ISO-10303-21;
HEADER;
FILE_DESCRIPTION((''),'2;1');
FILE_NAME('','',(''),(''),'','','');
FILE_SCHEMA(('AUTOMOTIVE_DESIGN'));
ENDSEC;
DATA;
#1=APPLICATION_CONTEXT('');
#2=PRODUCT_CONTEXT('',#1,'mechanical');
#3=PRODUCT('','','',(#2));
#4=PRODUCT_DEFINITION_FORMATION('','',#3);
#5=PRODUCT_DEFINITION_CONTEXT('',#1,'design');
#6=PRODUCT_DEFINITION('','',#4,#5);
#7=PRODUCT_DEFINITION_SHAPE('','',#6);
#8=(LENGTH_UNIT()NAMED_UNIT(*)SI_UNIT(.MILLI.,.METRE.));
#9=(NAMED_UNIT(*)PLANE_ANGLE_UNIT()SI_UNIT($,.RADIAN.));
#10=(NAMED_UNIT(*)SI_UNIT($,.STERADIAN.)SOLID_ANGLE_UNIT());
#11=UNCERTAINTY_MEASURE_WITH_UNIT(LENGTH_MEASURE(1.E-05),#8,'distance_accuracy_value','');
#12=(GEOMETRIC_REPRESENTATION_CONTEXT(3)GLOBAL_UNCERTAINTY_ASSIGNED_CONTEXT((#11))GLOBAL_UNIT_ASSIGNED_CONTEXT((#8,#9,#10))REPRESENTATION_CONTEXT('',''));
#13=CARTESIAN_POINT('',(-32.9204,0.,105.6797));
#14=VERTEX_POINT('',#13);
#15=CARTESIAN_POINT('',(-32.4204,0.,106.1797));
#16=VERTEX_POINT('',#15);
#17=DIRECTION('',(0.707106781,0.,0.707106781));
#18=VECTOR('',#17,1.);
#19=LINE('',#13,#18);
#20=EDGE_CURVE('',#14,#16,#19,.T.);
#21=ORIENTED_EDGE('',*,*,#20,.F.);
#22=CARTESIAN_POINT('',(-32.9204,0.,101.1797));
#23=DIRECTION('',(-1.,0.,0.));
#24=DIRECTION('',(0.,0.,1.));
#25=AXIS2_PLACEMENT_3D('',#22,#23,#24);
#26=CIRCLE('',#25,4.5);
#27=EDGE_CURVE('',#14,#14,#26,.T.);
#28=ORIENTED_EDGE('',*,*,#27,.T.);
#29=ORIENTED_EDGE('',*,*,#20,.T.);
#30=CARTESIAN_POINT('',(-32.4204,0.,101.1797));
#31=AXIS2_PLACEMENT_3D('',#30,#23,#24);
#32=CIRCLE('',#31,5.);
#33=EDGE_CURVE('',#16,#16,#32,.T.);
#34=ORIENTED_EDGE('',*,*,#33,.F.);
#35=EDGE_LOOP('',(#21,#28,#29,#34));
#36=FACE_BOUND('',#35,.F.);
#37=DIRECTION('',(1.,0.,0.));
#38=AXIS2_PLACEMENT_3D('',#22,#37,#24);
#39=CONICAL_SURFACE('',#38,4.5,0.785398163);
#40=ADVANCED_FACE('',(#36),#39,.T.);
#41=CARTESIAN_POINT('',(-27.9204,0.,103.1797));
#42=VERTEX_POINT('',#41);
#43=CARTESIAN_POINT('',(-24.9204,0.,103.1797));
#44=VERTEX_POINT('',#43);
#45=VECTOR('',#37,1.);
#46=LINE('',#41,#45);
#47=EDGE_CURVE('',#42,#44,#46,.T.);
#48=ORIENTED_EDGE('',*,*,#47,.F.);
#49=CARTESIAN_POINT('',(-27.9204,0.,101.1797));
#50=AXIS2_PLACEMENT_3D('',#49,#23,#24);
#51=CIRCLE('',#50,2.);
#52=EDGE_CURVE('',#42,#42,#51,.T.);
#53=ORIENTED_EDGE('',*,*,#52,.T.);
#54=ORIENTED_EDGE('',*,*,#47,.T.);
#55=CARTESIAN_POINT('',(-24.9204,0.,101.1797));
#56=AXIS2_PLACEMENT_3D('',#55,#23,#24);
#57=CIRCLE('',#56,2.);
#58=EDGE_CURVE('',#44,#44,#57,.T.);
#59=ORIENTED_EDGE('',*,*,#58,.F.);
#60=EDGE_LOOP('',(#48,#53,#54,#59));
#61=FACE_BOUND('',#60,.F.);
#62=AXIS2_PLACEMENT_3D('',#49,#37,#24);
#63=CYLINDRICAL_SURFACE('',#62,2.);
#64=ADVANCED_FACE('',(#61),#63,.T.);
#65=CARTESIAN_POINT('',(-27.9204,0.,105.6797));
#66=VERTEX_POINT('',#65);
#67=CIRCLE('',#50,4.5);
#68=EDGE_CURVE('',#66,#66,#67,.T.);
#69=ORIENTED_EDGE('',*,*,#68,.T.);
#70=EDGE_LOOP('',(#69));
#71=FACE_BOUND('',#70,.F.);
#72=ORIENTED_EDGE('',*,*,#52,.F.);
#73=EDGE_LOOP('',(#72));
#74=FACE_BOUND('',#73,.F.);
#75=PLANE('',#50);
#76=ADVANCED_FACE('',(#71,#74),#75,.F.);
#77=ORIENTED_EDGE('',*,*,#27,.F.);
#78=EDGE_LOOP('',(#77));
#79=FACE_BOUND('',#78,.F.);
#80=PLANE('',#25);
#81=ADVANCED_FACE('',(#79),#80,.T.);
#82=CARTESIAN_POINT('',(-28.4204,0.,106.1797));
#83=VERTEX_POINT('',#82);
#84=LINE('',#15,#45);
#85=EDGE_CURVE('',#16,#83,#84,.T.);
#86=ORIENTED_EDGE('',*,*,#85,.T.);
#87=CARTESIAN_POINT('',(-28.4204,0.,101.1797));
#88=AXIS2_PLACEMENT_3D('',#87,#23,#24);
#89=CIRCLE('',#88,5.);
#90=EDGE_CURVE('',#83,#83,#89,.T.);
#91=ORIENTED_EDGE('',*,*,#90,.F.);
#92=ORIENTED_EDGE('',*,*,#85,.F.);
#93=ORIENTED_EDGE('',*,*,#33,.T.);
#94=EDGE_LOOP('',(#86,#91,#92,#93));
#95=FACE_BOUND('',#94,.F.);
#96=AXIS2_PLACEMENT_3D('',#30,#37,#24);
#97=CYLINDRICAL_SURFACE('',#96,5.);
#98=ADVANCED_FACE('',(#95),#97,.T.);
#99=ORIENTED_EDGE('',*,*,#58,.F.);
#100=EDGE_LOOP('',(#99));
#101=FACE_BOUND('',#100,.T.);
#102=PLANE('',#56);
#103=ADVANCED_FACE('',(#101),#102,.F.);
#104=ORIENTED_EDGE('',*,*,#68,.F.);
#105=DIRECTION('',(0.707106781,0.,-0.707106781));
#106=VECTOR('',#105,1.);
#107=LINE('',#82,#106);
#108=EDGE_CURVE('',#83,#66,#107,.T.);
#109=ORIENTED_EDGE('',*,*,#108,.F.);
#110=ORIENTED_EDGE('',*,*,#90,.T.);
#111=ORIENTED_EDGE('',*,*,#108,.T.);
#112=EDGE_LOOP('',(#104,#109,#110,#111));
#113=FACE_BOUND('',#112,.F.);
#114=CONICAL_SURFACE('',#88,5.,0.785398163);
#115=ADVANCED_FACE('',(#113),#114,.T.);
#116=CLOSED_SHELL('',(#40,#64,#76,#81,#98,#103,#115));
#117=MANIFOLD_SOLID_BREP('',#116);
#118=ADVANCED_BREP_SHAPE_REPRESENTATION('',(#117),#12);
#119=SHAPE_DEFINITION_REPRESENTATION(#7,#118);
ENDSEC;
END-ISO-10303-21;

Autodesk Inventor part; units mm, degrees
ref_plane "YZ Plane" through (0, 0, 0) normal (1, 0, 0) x (0, 1, 0)
ref_plane "XZ Plane" through (0, 0, 0) normal (0, 1, 0) x (-1, 0, 0)
ref_plane "XY Plane" through (0, 0, 0) normal (0, 0, 1) x (1, 0, 0)
sketch "スケッチ1" plane through (0, 0, 0) normal (0, 1, 0) x (-1, 0, 0)
  line L0 (-5.0796, -45.5704) -> (-5.0796, 73.9296)
  line L1 (-5.0796, 73.9296) -> (-4.5796, 74.4296)
  line L2 (-4.5796, 74.4296) -> (24.4204, 74.4296)
  line L3 (24.4204, 74.4296) -> (24.9204, 73.9296)
  line L4 (24.9204, 73.9296) -> (24.9204, -45.5704)
  line L5 (24.9204, -45.5704) -> (-5.0796, -45.5704)
  line L6 (1.9204, -47.0704) -> (1.9204, -50.5704)
  line L7 (1.9204, -50.5704) -> (17.9204, -50.5704)
  line L8 (17.9204, -50.5704) -> (17.9204, -47.0704)
  line L9 (17.9204, -47.0704) -> (1.9204, -47.0704)
  line L10 (2.9204, -47.0704) -> (2.9204, -45.5704)
  line L11 (16.9204, -45.5704) -> (16.9204, -47.0704)
  line L12 (31.4204, 56.4296) -> (30.9204, 56.9296)
  line L13 (30.9204, 56.9296) -> (30.9204, 71.9296)
  line L14 (30.9204, 71.9296) -> (31.4204, 72.4296)
  line L15 (31.4204, 72.4296) -> (38.4204, 72.4296)
  line L16 (38.4204, 72.4296) -> (38.9204, 71.9296)
  line L17 (38.9204, 71.9296) -> (38.9204, 56.9296)
  line L18 (38.9204, 56.9296) -> (38.4204, 56.4296)
  line L19 (38.4204, 56.4296) -> (31.4204, 56.4296)
  line L20 (31.4204, 56.4296) -> (31.4204, 72.4296)
  line L21 (30.9204, 70.4296) -> (27.9204, 70.4296)
  line L22 (27.9204, 70.4296) -> (27.9204, 58.4296)
  line L23 (27.9204, 58.4296) -> (30.9204, 58.4296)
  line L24 (38.4204, 56.4296) -> (38.4204, 72.4296)
  line L25 (27.9204, 66.9296) -> (24.9204, 66.9296)
  line L26 (27.4204, 66.9296) -> (27.4204, 61.9296)
  line L27 (27.9204, 61.9296) -> (24.9204, 61.9296)
  line L28 (24.9204, 73.9296) -> (-5.0796, 73.9296)
  line L29 (-5.0796, 97.1797) -> (24.9204, 97.1797)
  line L30 (24.9204, 97.1797) -> (24.9204, 105.1797)
  line L31 (24.9204, 105.1797) -> (-5.0796, 105.1797)
  line L32 (-5.0796, 105.1797) -> (-5.0796, 97.1797)
  line L33 (24.9204, 99.1797) -> (27.9204, 99.1797)
  line L34 (27.2723, 99.1797) -> (27.2723, 103.1797)
  line L35 (27.9204, 103.1797) -> (24.9204, 103.1797)
  line L36 (27.9204, 105.6797) -> (27.9204, 96.6797)
  line L37 (27.9204, 96.6797) -> (28.4204, 96.1797)
  line L38 (28.4204, 96.1797) -> (32.4204, 96.1797)
  line L39 (32.4204, 96.1797) -> (32.9204, 96.6797)
  line L40 (32.9204, 96.6797) -> (32.9204, 105.6797)
  line L41 (32.9204, 105.6797) -> (32.4204, 106.1797)
  line L42 (32.4204, 106.1797) -> (28.4204, 106.1797)
  line L43 (28.4204, 106.1797) -> (27.9204, 105.6797)
  line L44 (28.4204, 106.1797) -> (28.4204, 96.1797)
  line L45 (32.4204, 96.1797) -> (32.4204, 106.1797)
  line L46 (2.4204, -50.5704) -> (2.4204, -47.0704)
  line L47 (-0.0796, -40.5704) -> (-0.0796, 74.4296)
  line L48 (19.9204, 74.4296) -> (19.9204, -40.5704)
  line L49 (19.9204, -40.5704) -> (9.9204, -46.3439)
  line L50 (9.9204, -46.3439) -> (-0.0796, -40.5704)
  line L51 (-0.0796, -40.5704) -> (19.9204, -40.5704)
  line L52 (17.4204, -47.0704) -> (17.4204, -50.5704)
  line L53 (9.9204, -56.5156) -> (9.9204, 78.76)
  line L54 (9.9204, 93.5864) -> (9.9204, 108.5157)
  line L55 (19.9204, 105.1797) -> (19.9204, 97.1797)
  line L56 (22.5096, 101.1797) -> (35.2156, 101.1797)
  line L57 (27.9204, 103.1797) -> (27.2723, 102.4797)
  line L58 (27.2723, 102.4797) -> (24.9204, 102.4797)
  line L59 (24.9204, 99.8797) -> (27.2723, 99.8797)
  line L60 (27.2723, 99.8797) -> (27.9204, 99.1797)
  line L61 (-0.0796, 97.1797) -> (-0.0796, 105.1797)
  line L62 (24.9204, 66.2296) -> (27.4204, 66.2296)
  line L63 (27.4204, 66.2296) -> (27.9204, 66.9296)
  line L64 (27.4204, 62.6296) -> (27.9204, 61.9296)
  line L65 (27.4204, 62.6296) -> (24.9204, 62.6296)
  line L66 (22.6428, 64.4296) -> (42.5049, 64.4296)
  line L67 (32.2954, 71.4296) -> (38.4204, 71.4296)
  line L68 (33.1704, 70.4296) -> (38.4204, 70.4296)
  line L69 (34.0454, 69.4296) -> (38.4204, 69.4296)
  line L70 (34.9204, 68.4296) -> (38.4204, 68.4296)
  line L71 (35.7954, 67.4296) -> (38.4204, 67.4296)
  line L72 (36.6704, 66.4296) -> (38.4204, 66.4296)
  line L73 (37.5454, 65.4296) -> (38.4204, 65.4296)
  line L74 (29.2204, 105.1797) -> (32.4204, 105.1797)
  line L75 (30.0204, 104.1797) -> (32.4204, 104.1797)
  line L76 (30.8204, 103.1797) -> (32.4204, 103.1797)
  line L77 (31.6204, 102.1797) -> (32.4204, 102.1797)
  point P0 (0, 0)
  point P1 (52.3578, -69.094)
  point P2 (52.3578, -59.2279)
  point P3 (24.9204, 101.1797)
  point P4 (32.9204, 101.1797)
revolve "回転1" add sketch "スケッチ1" angle 360 about axis through (-22.5096, 0, 101.1797) along (-1, 0, 0) contours L35 L34 L58 L30 | L30 L58 L34 L56 | L35 L57 L34 | L34 L57 L36 L56 | L36 L43 L44 L56 | L44 L42 L45 L56 | L45 L41 L40 L56
thread "ねじ1" size "M4x0.7" class "6g" standard "ANSI Metric M Profile" full length
properties part number "ring_handle" material "アルミニウム 6061"
